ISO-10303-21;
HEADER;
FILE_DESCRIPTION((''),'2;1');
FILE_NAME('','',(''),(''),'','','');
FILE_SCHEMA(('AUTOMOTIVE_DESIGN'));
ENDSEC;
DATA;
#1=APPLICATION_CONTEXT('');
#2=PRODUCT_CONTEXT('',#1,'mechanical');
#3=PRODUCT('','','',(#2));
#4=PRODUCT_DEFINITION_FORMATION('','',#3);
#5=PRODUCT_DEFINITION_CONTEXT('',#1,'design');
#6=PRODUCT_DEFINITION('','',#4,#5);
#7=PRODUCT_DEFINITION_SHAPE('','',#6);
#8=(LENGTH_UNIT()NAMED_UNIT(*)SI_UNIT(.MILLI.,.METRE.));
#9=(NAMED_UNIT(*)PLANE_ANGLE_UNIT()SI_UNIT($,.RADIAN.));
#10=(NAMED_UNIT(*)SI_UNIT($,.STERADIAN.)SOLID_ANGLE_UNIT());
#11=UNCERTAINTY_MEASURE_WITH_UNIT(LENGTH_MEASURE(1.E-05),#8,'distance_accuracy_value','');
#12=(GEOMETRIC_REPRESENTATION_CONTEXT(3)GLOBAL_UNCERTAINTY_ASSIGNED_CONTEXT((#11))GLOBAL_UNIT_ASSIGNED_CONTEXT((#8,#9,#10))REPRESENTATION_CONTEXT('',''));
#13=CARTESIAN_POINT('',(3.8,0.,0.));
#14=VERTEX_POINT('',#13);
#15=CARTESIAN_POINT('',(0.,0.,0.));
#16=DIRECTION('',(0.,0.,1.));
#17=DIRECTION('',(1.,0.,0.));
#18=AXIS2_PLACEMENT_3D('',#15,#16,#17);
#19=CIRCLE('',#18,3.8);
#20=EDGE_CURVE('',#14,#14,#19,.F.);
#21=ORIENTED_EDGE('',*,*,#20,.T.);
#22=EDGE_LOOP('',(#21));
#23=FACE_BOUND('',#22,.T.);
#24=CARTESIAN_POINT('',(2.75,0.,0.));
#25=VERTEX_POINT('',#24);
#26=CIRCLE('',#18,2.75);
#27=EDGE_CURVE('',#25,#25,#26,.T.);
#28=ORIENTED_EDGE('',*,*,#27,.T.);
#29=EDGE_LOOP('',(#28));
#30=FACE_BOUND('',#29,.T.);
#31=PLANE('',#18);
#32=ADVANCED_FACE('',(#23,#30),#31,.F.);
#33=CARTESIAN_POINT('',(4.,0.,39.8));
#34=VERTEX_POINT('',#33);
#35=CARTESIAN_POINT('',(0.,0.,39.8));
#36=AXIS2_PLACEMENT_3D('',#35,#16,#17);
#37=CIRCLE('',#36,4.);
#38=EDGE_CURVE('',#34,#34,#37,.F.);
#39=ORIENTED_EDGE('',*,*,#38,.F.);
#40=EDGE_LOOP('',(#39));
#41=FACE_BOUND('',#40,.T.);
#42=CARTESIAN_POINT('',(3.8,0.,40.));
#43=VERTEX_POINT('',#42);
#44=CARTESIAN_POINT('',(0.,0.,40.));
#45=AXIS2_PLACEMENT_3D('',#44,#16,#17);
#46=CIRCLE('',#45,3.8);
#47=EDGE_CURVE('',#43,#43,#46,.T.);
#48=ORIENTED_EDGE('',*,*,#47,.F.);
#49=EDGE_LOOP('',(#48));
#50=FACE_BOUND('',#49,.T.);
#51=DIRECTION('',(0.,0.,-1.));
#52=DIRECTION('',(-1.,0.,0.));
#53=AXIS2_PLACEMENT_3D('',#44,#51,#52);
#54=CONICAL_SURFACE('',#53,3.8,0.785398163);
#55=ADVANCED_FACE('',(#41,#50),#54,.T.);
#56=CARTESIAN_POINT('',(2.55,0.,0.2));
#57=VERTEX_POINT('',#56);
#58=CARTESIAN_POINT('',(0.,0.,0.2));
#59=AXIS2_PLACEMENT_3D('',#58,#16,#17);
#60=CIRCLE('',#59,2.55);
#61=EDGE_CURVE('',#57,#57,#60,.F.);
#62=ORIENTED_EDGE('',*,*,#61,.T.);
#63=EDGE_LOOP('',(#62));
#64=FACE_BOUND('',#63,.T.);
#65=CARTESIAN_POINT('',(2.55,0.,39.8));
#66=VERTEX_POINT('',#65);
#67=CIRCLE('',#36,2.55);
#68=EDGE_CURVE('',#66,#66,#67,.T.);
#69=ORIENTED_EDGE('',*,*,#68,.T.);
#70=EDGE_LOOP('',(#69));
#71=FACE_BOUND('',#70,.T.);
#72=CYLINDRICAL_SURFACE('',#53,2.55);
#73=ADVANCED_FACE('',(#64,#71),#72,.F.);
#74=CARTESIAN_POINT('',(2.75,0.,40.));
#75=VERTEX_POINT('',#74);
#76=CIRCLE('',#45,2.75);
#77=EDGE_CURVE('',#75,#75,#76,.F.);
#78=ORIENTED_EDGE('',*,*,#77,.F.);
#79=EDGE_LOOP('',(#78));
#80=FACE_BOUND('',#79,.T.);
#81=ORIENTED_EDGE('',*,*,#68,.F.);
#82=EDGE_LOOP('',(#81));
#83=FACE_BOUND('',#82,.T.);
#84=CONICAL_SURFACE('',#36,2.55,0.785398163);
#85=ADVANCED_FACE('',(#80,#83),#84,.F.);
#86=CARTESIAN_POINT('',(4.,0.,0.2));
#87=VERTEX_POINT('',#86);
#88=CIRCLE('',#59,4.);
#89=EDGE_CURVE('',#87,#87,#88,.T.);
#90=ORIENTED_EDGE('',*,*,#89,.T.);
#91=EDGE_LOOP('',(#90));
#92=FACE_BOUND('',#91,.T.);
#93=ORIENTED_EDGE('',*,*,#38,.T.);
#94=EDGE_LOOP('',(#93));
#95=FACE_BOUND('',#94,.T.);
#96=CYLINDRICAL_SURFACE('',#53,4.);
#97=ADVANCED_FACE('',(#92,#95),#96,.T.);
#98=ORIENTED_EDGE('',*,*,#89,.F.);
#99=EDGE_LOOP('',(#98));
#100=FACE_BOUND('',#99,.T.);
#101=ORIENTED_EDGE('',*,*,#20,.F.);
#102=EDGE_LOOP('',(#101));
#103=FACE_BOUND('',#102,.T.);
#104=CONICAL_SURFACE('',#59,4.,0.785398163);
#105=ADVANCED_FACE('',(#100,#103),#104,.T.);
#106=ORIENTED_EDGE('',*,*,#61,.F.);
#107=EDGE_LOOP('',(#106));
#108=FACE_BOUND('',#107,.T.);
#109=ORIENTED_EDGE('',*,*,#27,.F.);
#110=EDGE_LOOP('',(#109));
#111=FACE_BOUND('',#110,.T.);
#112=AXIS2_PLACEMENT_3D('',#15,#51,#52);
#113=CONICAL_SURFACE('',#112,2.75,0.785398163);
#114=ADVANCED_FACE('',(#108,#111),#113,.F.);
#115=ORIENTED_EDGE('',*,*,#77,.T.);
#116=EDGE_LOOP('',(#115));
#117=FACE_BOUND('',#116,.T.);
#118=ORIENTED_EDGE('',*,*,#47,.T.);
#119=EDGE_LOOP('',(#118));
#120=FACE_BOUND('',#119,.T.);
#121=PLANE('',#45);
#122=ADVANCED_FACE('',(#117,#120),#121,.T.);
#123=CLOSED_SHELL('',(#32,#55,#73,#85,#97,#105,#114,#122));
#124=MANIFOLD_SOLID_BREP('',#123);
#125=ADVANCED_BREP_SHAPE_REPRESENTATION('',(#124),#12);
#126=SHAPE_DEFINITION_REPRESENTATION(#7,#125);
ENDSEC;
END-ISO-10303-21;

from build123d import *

# Parameters (mm, degrees)
SKETCH1_R           = 4
SKETCH1_R_2         = 2.55
BOSS_EXTRUDE1_DEPTH = 40
CHAMFER1_SIZE       = 0.2


with BuildPart() as part:
    # Sketch1 → Boss-Extrude1 (new body)
    with BuildSketch(Plane.XY):
        Circle(SKETCH1_R)
        Circle(SKETCH1_R_2, mode=Mode.SUBTRACT)
    extrude(amount=BOSS_EXTRUDE1_DEPTH)

    # Chamfer1
    chamfer1_edges = [part.edges().sort_by_distance(p)[0] for p in [
        (-4, 0, 0),
        (-4, 0, 40),
        (-2.55, 0, 0),
        (-2.55, 0, 40),
    ]]
    chamfer(chamfer1_edges, length=CHAMFER1_SIZE)


solid = part.part
